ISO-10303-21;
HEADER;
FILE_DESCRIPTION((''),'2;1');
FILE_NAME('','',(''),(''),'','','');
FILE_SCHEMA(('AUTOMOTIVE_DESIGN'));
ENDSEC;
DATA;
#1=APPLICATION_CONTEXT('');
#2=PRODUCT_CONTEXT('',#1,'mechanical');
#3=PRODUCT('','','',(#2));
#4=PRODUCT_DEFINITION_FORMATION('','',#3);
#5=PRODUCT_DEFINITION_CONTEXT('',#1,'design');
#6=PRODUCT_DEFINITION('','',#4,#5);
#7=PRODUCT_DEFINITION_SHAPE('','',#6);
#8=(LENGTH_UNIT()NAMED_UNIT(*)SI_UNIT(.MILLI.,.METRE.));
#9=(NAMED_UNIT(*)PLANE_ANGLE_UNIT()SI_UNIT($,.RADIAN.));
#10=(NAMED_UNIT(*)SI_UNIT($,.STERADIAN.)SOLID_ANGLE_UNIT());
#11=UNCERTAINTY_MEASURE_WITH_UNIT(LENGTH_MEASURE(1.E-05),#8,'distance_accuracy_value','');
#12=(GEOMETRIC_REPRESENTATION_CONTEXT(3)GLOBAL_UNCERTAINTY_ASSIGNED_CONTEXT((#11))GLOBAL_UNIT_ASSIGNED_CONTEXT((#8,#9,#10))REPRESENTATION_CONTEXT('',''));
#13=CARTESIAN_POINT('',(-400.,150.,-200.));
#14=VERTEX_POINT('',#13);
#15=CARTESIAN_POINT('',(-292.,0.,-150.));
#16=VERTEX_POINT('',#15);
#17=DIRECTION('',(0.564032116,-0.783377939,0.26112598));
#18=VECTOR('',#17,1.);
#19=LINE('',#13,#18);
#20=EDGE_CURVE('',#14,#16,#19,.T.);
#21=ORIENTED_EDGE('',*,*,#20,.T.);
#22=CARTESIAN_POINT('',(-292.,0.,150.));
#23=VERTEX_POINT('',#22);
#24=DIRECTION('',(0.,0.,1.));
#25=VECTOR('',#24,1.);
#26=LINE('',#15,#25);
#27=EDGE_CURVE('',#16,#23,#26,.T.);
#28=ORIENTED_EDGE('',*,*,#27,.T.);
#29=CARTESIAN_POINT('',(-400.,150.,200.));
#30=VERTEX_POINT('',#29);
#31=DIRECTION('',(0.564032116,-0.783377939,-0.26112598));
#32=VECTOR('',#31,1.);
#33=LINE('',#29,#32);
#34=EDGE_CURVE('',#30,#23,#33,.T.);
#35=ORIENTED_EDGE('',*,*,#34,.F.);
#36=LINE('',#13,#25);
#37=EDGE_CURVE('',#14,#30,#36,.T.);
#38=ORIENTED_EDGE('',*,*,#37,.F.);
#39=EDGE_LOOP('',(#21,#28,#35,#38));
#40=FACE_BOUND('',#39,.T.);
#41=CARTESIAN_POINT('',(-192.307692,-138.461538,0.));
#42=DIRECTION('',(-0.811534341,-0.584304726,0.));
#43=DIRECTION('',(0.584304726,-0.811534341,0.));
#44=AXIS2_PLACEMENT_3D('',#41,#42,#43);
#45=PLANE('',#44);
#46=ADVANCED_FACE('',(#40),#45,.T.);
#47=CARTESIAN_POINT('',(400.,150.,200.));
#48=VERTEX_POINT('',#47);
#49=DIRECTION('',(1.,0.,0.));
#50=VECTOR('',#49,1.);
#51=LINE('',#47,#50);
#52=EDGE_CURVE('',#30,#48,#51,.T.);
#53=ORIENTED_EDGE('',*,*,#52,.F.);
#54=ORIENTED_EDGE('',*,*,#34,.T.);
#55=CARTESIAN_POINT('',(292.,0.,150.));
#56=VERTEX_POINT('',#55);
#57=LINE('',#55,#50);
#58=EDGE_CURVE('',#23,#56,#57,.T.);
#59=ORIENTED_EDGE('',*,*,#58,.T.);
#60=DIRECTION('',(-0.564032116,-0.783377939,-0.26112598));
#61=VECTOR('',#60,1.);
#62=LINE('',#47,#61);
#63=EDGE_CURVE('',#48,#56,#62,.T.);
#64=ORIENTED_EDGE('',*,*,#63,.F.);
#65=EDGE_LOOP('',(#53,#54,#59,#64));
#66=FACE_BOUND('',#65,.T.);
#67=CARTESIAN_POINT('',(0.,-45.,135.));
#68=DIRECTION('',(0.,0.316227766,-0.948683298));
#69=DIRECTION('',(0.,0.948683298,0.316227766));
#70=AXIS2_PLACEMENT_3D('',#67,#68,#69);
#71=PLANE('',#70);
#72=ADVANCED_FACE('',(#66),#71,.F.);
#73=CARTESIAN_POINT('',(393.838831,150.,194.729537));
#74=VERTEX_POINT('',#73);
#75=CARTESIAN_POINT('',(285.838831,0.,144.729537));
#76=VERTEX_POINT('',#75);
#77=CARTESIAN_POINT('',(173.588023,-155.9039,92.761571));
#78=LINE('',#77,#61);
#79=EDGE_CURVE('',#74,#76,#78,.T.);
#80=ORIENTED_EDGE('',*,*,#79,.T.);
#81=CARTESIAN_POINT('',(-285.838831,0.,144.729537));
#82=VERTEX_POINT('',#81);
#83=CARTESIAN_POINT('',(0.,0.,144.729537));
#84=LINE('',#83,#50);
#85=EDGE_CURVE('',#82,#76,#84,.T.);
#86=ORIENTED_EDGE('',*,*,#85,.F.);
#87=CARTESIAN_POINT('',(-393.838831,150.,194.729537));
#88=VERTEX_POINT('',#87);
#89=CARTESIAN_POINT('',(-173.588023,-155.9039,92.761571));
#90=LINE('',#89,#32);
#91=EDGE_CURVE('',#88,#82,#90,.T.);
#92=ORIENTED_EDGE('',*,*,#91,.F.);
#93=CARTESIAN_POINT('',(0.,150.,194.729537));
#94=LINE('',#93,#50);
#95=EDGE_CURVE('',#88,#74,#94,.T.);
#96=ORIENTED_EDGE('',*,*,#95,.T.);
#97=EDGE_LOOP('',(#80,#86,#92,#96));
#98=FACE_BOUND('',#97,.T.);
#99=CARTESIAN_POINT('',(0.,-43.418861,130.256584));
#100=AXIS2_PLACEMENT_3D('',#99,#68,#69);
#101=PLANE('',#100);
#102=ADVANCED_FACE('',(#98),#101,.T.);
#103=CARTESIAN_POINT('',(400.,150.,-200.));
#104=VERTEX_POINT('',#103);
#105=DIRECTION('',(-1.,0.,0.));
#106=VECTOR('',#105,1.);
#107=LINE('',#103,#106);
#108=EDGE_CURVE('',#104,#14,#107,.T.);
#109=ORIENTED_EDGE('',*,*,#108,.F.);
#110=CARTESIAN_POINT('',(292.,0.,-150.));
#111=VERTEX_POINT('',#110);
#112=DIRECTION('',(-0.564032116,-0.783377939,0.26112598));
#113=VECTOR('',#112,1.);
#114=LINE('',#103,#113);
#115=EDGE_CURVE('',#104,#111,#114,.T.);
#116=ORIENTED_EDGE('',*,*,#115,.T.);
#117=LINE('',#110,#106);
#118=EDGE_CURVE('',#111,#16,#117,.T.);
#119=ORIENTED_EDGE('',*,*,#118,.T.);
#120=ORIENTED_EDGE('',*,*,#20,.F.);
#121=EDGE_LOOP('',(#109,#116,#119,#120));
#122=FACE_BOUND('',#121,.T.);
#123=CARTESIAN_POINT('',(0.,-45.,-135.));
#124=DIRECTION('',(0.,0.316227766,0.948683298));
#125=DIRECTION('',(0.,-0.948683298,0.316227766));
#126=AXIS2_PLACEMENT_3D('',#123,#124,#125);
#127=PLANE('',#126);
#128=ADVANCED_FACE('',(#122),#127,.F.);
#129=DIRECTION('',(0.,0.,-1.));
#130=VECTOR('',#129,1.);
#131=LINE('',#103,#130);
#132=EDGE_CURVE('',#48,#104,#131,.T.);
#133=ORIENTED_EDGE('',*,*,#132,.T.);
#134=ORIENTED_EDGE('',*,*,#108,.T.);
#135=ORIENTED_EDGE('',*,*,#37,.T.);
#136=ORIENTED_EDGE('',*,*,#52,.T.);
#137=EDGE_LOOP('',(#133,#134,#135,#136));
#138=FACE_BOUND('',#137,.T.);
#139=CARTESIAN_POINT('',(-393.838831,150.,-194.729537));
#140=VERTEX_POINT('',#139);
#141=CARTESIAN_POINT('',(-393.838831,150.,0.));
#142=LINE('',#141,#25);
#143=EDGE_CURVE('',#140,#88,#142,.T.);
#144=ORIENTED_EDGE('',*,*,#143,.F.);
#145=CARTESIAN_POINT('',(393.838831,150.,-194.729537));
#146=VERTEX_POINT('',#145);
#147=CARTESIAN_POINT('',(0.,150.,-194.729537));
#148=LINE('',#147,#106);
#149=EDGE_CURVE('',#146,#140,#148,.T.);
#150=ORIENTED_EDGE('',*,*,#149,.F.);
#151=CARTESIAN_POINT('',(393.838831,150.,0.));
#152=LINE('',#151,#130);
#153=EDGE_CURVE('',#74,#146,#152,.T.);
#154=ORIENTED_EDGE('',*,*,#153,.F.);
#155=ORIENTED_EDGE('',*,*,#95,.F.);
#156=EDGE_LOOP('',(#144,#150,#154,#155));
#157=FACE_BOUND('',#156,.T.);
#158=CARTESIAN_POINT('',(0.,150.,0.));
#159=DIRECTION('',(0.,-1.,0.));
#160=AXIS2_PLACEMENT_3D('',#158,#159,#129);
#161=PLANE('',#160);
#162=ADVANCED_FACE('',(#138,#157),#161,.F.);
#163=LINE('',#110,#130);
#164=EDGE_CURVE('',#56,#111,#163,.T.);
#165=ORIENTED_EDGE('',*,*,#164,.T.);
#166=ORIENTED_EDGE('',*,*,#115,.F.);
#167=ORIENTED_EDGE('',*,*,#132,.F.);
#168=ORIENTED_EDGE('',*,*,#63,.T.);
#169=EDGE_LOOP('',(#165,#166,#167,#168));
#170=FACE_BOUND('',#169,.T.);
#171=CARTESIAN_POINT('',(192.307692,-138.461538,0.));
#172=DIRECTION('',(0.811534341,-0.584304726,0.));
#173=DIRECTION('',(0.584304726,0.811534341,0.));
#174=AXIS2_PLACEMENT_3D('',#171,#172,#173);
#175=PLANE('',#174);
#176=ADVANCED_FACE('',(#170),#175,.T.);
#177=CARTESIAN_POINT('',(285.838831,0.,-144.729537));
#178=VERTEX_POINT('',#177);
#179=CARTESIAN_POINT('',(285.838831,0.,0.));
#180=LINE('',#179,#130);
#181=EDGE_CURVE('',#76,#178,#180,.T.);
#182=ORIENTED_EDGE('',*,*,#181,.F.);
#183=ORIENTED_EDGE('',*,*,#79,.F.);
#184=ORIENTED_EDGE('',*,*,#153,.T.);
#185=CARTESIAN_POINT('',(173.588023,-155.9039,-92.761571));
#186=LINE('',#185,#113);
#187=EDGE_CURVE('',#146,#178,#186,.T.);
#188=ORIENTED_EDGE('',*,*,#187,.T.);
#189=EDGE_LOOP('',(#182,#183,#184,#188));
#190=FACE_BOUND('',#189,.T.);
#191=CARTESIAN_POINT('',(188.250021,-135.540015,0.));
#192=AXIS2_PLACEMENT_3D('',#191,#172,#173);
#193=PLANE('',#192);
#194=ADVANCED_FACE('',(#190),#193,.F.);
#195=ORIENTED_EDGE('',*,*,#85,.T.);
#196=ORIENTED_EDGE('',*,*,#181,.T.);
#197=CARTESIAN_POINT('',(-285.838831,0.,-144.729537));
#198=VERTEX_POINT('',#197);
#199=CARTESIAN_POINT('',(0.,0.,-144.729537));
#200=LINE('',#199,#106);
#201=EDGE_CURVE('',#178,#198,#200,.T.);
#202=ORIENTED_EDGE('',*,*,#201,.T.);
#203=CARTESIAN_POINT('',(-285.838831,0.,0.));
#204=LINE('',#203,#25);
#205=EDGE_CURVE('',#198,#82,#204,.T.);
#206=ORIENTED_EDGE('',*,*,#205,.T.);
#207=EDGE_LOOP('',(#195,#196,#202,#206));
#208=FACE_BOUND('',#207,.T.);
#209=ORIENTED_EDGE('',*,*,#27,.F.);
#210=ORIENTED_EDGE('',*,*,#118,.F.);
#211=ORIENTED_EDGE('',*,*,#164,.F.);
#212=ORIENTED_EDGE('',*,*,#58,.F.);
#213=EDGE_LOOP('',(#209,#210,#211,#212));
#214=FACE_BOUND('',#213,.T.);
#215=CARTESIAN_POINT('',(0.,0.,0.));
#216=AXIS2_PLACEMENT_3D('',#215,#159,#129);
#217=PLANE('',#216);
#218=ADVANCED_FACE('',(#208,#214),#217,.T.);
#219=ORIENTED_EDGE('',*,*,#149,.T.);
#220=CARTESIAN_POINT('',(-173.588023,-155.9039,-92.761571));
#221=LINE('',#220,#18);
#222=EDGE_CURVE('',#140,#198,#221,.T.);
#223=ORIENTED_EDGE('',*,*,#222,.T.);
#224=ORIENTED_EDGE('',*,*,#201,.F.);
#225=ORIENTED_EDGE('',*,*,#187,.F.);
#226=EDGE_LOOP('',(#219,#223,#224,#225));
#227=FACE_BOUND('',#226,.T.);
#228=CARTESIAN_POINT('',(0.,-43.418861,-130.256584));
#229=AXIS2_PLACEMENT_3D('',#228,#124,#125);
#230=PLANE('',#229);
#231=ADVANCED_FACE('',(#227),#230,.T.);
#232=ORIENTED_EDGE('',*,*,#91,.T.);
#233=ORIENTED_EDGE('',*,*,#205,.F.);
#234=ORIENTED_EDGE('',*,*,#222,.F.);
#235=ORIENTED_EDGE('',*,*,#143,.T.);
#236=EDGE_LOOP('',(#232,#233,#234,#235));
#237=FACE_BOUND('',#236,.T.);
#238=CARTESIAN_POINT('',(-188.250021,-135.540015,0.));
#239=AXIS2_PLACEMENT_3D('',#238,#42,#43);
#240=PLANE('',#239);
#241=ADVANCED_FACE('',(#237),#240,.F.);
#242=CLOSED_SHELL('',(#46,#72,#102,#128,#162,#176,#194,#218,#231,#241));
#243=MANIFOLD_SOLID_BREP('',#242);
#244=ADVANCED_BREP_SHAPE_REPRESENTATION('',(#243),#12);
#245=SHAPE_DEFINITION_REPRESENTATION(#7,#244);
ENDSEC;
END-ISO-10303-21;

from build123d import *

# Parameters (mm, degrees)
SKETCH2_W = 800
SKETCH2_H = 400
SKETCH1_W = 584
SKETCH1_H = 300
SHELL1_T  = -5


with BuildPart() as part:
    # Sketch2 → Loft1 section 0
    with BuildSketch(Plane(origin=(0, 150, 0), x_dir=(1, 0, 0), z_dir=(0, 1, 0))):
        Rectangle(SKETCH2_W, SKETCH2_H)
    # Sketch1 → Loft1 section 1
    with BuildSketch(Plane(origin=(0, 0, 0), x_dir=(1, 0, 0), z_dir=(0, 1, 0))):
        Rectangle(SKETCH1_W, SKETCH1_H)
    loft()

    # Shell1
    shell1_openings = [part.faces().sort_by_distance(p)[0] for p in [
        (0, 0, 0),
        (0, 150, 0),
    ]]
    offset(amount=SHELL1_T, openings=shell1_openings, kind=Kind.INTERSECTION)


solid = part.part
